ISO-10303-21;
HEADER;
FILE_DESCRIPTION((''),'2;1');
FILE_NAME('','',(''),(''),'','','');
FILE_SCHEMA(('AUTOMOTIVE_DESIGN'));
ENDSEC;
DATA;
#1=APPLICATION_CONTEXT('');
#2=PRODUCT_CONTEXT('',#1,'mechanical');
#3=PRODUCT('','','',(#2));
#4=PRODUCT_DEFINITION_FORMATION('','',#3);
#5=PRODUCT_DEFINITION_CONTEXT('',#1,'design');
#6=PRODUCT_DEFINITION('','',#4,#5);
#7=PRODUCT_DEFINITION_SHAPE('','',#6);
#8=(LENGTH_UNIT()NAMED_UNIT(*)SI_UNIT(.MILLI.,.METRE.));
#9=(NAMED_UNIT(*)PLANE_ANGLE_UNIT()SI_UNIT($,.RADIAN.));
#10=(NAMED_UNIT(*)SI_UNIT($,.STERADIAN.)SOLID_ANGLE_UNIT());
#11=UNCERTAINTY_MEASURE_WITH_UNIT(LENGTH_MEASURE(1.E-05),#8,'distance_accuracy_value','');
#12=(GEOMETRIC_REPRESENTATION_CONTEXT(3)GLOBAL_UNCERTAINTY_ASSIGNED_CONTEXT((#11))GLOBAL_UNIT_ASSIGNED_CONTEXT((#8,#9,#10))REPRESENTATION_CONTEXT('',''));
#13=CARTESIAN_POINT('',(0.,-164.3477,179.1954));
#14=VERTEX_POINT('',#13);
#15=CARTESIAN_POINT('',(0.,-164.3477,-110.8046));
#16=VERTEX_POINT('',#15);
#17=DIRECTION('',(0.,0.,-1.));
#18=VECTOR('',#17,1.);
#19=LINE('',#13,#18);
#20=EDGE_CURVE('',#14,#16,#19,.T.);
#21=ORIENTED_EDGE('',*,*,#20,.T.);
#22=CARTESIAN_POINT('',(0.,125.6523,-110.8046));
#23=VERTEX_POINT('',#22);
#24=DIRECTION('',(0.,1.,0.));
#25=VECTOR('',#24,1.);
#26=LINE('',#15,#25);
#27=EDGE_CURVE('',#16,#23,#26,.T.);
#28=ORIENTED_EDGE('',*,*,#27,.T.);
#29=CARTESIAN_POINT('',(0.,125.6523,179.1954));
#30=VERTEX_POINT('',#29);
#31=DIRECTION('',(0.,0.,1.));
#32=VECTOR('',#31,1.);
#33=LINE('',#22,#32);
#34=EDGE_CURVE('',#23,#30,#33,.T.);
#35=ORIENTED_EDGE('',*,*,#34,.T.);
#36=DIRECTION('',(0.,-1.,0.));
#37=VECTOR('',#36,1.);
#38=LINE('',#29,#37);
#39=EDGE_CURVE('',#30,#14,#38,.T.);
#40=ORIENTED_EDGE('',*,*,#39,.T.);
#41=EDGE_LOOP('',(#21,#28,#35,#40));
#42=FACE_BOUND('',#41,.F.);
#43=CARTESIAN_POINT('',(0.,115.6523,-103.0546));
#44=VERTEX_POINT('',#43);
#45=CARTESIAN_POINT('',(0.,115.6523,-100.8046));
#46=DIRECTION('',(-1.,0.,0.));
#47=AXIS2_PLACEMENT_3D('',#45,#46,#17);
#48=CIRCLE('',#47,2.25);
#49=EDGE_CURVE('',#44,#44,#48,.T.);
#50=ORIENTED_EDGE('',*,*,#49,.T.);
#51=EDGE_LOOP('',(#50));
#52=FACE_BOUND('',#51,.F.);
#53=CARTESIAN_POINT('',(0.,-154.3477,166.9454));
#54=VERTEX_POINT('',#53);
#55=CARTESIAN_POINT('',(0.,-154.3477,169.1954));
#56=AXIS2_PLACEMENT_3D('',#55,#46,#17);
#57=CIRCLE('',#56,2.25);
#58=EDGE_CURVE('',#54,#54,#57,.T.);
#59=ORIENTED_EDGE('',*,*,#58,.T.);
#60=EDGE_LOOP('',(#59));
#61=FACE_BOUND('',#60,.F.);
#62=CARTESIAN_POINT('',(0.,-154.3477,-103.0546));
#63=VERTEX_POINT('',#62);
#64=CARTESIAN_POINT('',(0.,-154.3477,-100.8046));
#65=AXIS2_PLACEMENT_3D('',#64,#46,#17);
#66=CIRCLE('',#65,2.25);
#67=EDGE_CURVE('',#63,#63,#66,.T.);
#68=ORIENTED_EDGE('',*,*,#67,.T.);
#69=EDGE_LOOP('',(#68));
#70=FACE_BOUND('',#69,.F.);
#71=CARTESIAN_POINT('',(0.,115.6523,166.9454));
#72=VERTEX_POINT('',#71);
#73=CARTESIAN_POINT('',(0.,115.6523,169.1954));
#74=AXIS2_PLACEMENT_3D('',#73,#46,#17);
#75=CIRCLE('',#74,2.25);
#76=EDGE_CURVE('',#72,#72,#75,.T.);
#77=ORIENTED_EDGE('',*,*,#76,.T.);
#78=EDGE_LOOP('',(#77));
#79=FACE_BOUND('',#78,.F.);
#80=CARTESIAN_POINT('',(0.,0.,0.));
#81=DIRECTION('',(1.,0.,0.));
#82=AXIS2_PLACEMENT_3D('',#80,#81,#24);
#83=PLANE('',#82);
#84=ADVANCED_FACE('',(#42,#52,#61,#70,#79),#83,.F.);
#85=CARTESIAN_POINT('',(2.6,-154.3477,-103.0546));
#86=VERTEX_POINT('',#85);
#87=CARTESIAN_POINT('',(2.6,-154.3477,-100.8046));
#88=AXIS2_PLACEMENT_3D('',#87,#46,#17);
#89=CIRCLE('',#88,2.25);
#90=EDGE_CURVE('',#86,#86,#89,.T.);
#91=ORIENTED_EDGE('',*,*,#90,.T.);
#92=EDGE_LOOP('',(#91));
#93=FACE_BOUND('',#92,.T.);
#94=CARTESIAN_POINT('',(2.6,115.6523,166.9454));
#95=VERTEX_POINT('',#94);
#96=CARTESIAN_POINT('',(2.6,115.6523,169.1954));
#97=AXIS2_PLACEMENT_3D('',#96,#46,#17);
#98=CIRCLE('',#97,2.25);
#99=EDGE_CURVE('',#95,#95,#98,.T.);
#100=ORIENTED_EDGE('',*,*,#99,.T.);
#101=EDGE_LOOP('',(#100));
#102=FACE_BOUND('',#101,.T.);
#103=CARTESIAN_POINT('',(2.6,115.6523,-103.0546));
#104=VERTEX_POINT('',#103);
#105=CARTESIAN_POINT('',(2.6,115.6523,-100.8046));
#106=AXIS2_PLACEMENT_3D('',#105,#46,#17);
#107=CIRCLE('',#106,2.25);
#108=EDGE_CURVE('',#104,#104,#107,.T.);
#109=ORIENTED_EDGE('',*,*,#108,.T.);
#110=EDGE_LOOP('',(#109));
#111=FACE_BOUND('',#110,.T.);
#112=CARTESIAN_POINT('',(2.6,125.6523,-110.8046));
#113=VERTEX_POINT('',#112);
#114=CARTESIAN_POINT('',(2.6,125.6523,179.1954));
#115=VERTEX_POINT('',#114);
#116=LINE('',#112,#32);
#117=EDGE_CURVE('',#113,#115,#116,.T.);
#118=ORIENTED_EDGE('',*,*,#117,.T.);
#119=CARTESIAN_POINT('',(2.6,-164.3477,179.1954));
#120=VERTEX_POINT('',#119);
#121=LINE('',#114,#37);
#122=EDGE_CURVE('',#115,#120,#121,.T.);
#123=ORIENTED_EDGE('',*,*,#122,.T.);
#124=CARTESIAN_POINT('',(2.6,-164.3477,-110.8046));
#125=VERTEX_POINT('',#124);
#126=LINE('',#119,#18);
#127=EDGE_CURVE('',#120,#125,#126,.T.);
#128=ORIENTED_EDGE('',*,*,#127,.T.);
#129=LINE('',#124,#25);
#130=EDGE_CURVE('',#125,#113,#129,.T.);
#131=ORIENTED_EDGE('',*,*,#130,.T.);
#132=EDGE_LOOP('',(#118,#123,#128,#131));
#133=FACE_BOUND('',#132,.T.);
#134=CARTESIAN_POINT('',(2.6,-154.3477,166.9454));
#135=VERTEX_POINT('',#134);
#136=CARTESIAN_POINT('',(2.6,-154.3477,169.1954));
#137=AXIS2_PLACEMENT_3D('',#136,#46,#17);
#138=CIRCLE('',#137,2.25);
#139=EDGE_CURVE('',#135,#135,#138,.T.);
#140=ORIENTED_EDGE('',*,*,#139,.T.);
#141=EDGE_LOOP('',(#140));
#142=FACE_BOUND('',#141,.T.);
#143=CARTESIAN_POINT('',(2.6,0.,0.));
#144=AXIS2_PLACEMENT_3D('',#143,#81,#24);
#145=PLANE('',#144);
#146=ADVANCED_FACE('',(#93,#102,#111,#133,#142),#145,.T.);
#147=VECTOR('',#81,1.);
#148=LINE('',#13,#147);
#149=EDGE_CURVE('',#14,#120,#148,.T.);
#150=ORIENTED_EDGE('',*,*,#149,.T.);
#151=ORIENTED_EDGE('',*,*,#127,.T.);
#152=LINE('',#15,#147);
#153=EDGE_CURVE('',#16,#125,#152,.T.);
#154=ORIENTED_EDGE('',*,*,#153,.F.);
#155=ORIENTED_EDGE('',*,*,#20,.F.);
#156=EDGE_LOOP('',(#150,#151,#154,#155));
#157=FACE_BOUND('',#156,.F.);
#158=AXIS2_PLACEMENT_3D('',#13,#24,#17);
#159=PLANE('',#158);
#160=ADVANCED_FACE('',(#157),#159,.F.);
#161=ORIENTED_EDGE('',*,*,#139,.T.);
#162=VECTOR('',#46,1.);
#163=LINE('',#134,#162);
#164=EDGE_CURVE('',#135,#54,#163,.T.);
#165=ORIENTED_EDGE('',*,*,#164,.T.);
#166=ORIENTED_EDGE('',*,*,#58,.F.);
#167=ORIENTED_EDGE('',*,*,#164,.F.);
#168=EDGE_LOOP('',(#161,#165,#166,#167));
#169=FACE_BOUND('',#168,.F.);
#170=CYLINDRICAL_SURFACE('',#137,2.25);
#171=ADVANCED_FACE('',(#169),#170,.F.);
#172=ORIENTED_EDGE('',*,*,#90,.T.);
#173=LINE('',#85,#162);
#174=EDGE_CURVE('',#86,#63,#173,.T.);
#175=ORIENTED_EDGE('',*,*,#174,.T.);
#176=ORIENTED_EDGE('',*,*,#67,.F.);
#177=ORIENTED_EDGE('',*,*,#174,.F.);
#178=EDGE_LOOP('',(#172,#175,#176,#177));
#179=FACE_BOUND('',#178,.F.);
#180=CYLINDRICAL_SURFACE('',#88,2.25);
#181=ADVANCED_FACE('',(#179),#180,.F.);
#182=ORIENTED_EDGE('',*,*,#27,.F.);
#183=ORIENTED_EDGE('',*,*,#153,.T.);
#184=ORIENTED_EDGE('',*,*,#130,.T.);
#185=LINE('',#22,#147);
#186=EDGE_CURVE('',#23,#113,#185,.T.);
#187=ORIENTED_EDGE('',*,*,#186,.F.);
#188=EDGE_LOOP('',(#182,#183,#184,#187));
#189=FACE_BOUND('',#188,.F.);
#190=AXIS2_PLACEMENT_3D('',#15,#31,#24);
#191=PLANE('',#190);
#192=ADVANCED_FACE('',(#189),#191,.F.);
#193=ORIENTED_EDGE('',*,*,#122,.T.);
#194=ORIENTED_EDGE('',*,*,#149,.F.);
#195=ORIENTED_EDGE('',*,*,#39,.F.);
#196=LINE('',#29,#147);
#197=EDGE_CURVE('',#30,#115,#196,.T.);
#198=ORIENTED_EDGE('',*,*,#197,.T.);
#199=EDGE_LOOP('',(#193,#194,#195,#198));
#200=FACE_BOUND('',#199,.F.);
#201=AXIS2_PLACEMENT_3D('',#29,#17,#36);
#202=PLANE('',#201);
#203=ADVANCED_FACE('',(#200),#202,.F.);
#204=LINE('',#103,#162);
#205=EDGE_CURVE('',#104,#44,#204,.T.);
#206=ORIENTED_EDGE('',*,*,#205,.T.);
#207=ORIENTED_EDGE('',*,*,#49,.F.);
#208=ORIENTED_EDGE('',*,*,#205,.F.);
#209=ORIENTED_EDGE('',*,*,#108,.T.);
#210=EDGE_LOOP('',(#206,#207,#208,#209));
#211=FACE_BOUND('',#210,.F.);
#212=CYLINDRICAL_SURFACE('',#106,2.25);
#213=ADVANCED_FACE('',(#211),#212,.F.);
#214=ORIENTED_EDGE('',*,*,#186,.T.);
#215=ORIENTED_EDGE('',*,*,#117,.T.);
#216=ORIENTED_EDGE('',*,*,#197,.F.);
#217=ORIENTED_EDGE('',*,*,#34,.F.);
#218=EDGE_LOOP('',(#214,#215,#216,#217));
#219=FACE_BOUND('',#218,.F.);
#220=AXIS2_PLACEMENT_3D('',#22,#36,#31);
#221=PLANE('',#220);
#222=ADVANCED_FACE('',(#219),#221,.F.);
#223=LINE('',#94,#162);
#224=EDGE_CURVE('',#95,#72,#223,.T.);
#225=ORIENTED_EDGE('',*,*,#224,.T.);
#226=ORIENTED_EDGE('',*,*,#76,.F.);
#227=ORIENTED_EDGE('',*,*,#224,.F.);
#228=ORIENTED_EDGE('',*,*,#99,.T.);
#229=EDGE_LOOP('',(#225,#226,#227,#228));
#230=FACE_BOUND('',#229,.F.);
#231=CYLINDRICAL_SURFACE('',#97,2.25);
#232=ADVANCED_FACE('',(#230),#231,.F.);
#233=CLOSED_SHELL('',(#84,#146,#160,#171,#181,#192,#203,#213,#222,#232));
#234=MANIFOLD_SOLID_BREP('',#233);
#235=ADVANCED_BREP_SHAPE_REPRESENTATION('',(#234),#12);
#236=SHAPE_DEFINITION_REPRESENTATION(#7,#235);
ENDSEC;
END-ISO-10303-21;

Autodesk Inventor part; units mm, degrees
ref_plane "YZ Plane" through (0, 0, 0) normal (1, 0, 0) x (0, 1, 0)
ref_plane "XZ Plane" through (0, 0, 0) normal (0, 1, 0) x (-1, 0, 0)
ref_plane "XY Plane" through (0, 0, 0) normal (0, 0, 1) x (1, 0, 0)
sketch "スケッチ1" plane through (0, 0, 0) normal (1, 0, 0) x (0, 1, 0)
  line L0 (125.6523, 179.1954) -> (-164.3477, 179.1954)
  line L1 (-164.3477, 179.1954) -> (-164.3477, -110.8046)
  line L2 (-164.3477, -110.8046) -> (125.6523, -110.8046)
  line L3 (125.6523, -110.8046) -> (125.6523, 179.1954)
  point P0 (0, 0)
  dimension "d0" = 290
  dimension "d1" = 290
extrude "押し出し1" add sketch "スケッチ1" along normal blind 2.6
sketch "スケッチ2" plane through (2.6, 0, 0) normal (1, 0, 0) x (0, 0, -1)
  line L0 (-179.1954, 125.6523) -> (-179.1954, -164.3477) projected
  line L1 (-179.1954, -164.3477) -> (110.8046, -164.3477) projected
  line L2 (110.8046, -164.3477) -> (110.8046, 125.6523) projected
  line L3 (110.8046, 125.6523) -> (-179.1954, 125.6523) projected
  line L4 (-34.1954, -19.3477) -> (-34.1954, 125.6523)
  line L5 (110.8046, 125.6523) -> (-179.1954, 125.6523) projected
  line L6 (-34.1954, -19.3477) -> (110.8046, -19.3477)
  point P0 (0, 0)
  point P1 (-169.1954, 115.6523)
  point P2 (100.8046, 115.6523)
  point P3 (-169.1954, -154.3477)
  point P4 (100.8046, -154.3477)
  dimension "d4" = 10
  dimension "d5" = 10
hole "穴1" at (2.6, 115.6523, 169.1954) at (2.6, 115.6523, -100.8046) at (2.6, -154.3477, 169.1954) at (2.6, -154.3477, -100.8046) direction (-1, 0, 0) diameter 4.5 depth 10 tip angle 118
properties part number "lc_box_side" material "ポリカーボネート、クリア"
